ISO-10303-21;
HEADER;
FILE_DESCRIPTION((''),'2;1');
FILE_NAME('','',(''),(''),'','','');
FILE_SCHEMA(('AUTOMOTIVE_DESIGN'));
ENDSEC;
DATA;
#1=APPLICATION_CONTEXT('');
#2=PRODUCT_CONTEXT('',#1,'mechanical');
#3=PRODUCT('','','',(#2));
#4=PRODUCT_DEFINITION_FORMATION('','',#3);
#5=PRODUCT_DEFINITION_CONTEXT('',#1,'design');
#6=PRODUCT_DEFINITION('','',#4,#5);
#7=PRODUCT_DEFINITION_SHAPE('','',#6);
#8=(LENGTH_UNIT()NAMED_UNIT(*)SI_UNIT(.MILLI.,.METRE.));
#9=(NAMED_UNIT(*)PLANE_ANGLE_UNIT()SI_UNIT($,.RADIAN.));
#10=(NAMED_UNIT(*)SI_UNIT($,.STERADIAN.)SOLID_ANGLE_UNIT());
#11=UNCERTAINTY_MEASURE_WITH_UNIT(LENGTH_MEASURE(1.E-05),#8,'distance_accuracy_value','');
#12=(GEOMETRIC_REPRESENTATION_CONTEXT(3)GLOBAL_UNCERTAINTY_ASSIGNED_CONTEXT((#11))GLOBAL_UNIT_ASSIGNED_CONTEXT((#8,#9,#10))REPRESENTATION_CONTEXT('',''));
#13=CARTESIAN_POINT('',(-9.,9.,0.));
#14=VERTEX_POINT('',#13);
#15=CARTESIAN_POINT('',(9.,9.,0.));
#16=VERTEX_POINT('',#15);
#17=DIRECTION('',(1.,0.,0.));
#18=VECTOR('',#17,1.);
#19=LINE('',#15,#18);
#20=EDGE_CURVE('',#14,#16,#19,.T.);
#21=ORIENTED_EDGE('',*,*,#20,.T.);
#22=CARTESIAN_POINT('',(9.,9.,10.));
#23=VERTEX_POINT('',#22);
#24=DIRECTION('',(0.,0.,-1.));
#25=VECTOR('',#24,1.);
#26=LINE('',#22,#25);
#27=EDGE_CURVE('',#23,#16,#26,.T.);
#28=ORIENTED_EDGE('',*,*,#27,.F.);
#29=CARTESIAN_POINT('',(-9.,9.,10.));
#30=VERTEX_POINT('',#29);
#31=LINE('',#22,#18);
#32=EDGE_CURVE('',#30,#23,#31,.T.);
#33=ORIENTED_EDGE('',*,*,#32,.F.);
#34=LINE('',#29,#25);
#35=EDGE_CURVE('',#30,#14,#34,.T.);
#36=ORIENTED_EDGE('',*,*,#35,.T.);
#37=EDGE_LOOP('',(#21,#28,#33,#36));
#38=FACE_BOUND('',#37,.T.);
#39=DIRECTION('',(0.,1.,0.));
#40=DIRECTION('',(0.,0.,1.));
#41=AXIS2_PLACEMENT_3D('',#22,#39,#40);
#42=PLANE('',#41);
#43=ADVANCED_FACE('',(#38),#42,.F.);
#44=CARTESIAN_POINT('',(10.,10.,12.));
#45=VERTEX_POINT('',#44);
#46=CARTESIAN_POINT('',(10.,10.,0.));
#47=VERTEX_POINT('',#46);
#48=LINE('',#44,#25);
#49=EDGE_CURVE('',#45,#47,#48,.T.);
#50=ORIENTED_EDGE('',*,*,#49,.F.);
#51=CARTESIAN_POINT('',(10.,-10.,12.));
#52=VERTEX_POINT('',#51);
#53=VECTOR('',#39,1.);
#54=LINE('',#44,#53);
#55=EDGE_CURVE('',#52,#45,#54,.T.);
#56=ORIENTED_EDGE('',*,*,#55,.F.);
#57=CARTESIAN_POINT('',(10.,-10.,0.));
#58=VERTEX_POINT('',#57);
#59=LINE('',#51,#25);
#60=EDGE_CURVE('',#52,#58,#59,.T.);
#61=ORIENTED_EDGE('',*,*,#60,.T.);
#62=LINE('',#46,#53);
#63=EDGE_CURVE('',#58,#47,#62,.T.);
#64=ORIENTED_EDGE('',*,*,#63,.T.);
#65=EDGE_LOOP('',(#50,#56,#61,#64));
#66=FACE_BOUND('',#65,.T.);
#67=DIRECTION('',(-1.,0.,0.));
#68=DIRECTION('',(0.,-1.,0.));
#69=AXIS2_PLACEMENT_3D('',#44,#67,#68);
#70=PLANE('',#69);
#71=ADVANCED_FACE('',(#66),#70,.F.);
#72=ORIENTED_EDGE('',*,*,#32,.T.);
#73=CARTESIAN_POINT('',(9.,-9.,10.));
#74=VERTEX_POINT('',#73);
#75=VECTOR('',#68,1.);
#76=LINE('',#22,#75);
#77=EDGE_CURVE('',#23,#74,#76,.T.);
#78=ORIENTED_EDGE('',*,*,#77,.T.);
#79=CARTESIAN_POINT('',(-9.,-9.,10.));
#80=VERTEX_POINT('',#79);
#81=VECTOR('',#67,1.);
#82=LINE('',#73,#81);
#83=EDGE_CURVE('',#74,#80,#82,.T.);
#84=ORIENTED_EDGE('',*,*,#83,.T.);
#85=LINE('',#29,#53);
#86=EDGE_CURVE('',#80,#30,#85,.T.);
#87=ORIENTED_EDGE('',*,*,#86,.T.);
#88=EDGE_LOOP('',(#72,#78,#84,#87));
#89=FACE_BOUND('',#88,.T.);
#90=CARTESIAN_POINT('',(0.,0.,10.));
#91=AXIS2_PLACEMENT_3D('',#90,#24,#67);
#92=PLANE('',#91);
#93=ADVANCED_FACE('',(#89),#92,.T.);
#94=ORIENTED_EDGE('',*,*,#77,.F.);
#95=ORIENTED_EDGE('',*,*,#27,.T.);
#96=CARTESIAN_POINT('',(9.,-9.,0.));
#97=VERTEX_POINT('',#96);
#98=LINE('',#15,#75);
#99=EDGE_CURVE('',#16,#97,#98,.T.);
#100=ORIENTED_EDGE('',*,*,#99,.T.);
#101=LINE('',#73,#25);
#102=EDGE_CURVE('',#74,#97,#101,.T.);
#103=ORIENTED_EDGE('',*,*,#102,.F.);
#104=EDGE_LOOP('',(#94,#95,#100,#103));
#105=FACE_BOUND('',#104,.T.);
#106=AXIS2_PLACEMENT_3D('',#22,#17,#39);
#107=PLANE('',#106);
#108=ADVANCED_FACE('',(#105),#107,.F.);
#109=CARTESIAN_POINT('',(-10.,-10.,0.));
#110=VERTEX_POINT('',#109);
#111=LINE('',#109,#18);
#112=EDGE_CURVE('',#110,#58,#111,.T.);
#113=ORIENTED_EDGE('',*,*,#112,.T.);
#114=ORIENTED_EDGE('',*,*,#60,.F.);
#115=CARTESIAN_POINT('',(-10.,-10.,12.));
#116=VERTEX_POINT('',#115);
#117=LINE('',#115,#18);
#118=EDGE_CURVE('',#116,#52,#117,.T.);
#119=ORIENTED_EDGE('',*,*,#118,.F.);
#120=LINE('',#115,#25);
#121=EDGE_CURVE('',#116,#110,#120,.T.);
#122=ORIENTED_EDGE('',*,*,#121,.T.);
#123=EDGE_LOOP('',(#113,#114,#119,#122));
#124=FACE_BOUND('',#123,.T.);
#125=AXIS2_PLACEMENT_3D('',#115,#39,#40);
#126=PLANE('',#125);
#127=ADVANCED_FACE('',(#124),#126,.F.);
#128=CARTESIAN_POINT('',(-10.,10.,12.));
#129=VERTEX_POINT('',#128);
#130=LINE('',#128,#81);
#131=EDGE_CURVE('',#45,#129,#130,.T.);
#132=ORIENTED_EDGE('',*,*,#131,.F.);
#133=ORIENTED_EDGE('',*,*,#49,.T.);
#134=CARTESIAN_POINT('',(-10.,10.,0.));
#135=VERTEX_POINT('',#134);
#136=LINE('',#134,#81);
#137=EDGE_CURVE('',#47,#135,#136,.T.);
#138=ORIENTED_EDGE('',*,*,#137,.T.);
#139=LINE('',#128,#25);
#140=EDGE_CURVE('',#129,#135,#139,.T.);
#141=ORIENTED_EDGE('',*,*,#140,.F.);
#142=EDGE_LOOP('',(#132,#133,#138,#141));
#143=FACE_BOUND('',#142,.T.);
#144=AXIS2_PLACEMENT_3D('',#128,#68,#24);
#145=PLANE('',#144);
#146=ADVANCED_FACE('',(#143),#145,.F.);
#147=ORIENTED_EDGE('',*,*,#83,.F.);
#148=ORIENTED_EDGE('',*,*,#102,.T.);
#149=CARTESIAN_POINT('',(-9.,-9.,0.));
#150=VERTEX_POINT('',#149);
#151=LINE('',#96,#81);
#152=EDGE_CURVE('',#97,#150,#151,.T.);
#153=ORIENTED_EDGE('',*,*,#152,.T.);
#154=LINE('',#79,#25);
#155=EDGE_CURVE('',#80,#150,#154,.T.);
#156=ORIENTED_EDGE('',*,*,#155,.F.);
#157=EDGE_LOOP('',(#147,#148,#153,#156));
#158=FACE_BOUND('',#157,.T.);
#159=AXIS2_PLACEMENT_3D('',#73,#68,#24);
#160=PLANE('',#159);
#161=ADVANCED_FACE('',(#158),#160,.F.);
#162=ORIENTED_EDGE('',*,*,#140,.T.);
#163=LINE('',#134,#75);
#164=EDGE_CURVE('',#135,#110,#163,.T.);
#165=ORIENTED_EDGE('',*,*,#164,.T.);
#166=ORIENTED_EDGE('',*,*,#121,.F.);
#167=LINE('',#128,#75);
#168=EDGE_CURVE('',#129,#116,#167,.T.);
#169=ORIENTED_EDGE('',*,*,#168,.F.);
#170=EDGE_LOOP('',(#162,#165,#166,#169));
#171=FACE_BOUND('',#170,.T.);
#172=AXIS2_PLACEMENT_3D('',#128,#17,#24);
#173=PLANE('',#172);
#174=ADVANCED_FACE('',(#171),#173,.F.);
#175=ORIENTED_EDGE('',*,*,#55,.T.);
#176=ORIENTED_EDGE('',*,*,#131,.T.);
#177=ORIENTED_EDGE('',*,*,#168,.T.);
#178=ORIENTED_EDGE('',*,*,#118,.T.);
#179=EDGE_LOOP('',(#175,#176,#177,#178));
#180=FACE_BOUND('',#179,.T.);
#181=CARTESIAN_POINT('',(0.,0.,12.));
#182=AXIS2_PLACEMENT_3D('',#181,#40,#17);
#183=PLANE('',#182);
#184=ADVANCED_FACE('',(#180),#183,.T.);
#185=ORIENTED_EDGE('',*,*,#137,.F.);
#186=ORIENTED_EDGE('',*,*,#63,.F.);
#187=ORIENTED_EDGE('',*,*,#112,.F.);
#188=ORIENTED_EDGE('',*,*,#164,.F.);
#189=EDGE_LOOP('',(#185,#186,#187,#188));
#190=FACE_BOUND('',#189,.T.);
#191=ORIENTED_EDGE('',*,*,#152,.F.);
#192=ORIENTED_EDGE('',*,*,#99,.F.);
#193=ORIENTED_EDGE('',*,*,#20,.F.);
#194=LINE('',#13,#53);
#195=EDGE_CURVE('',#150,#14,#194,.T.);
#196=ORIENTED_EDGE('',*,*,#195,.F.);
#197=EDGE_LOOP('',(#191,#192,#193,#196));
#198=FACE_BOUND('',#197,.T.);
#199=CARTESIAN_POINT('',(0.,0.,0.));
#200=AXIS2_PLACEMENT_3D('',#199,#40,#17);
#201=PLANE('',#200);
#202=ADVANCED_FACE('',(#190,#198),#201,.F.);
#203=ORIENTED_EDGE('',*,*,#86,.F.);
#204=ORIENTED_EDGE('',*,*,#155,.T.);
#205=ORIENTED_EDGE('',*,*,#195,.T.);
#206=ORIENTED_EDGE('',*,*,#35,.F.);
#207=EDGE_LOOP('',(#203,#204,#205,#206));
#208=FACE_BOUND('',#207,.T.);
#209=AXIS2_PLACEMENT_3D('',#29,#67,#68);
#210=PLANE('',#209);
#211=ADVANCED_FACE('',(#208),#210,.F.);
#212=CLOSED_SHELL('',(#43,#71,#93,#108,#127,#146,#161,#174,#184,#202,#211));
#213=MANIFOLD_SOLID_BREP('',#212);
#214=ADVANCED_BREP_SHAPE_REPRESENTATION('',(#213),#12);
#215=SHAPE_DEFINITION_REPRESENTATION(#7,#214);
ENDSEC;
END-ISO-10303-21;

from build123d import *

# Parameters (mm, degrees)
SKETCH_1_W          = 20
SKETCH_1_H          = 20
EXTRUDE_1_DEPTH     = 12
SKETCH_2_W          = 18
SKETCH_2_H          = 18
CUT_EXTRUDE_1_DEPTH = 10


with BuildPart() as part:
    # 草圖1 → 填料-伸長1 (new body)
    with BuildSketch(Plane.XY):
        Rectangle(SKETCH_1_W, SKETCH_1_H)
    extrude(amount=EXTRUDE_1_DEPTH)

    # 草圖2 → 除料-伸長1 (cut)
    with BuildSketch(Plane(origin=(0, 0, 0), x_dir=(-1, 0, 0), z_dir=(0, 0, -1))):
        Rectangle(SKETCH_2_W, SKETCH_2_H)
    extrude(amount=-CUT_EXTRUDE_1_DEPTH, mode=Mode.SUBTRACT)


solid = part.part
